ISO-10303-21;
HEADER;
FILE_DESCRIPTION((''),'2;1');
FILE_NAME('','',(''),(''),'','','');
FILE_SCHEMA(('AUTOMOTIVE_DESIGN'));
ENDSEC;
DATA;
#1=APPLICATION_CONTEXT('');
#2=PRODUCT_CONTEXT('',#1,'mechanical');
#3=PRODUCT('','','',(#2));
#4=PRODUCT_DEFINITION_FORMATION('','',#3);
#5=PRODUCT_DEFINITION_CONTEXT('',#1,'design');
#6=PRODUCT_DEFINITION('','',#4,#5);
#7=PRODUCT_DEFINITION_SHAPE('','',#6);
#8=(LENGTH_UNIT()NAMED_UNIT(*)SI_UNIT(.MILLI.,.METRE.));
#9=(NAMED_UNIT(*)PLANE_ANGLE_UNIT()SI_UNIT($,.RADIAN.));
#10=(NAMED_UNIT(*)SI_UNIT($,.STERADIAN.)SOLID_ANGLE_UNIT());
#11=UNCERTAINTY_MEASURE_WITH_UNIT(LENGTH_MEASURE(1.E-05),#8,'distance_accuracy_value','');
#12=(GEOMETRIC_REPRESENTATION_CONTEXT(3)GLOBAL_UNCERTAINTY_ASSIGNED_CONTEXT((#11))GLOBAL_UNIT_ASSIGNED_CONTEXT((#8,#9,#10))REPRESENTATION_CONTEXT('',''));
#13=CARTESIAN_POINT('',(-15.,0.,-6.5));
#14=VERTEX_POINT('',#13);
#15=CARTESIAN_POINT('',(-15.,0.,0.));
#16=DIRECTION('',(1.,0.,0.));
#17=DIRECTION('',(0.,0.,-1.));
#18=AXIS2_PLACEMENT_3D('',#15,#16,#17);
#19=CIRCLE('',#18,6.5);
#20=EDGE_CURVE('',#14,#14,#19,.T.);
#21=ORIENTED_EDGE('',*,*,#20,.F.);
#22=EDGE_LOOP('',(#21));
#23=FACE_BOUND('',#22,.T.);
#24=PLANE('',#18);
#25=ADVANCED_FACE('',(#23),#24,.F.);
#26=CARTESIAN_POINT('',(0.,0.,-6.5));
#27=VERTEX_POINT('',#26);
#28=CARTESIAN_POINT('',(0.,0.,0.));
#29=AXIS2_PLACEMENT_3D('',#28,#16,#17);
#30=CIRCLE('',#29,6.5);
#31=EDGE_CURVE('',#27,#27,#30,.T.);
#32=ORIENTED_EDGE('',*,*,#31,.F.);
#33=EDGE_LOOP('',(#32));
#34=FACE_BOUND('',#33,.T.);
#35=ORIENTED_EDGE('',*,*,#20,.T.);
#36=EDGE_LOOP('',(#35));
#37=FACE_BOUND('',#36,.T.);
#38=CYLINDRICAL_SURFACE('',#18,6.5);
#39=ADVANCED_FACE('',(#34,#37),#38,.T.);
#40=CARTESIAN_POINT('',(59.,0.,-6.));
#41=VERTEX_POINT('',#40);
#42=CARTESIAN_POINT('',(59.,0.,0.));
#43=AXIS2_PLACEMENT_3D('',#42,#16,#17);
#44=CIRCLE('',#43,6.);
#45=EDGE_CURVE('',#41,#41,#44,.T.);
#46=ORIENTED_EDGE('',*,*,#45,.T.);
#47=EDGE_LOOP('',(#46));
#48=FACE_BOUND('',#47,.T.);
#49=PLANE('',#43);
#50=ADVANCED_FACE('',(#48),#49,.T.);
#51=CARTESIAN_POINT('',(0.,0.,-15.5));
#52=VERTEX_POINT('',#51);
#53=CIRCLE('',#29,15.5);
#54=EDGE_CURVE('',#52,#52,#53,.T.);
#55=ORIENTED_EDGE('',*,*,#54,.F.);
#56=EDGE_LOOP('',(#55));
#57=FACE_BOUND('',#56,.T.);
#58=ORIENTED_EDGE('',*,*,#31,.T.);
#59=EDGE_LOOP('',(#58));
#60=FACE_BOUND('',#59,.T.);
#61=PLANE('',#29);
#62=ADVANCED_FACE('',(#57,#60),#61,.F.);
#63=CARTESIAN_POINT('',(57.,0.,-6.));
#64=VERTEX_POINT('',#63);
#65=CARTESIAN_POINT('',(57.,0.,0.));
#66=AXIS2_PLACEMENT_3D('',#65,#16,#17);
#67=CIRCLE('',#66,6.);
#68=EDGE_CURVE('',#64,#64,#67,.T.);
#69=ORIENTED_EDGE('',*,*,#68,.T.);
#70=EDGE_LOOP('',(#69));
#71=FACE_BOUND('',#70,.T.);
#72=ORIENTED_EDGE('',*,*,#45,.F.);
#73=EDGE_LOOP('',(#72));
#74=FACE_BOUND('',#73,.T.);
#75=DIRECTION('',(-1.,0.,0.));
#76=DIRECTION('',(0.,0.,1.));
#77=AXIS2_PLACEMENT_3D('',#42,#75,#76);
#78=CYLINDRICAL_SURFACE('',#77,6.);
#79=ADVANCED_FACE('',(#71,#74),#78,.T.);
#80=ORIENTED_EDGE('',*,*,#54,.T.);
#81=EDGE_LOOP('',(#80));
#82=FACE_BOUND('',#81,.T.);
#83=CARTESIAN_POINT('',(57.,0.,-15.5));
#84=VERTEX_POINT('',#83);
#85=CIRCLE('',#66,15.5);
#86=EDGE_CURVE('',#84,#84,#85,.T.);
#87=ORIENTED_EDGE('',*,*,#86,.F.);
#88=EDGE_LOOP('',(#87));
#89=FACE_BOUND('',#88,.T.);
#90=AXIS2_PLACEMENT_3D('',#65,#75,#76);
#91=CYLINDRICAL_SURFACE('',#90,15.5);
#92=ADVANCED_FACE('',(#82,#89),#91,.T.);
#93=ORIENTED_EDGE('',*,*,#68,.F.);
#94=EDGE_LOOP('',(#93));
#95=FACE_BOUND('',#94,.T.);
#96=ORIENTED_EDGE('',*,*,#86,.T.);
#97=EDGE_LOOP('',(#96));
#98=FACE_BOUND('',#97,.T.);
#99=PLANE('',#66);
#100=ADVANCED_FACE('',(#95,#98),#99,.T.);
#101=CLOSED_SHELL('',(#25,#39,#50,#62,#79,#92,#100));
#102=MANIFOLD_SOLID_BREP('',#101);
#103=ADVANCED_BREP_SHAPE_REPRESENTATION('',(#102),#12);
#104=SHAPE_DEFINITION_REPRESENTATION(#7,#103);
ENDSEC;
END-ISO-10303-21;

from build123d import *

# Parameters (mm, degrees)
SKETCH_1_R      = 15.5
EXTRUDE_1_DEPTH = 57
SKETCH_2_R      = 6.5
EXTRUDE_2_DEPTH = 15
SKETCH_3_R      = 6
EXTRUDE_3_DEPTH = 2


with BuildPart() as part:
    # 草图1 → 凸台-拉伸1 (new body)
    with BuildSketch(Plane(origin=(0, 0, 0), x_dir=(0, 0, -1), z_dir=(1, 0, 0))):
        Circle(SKETCH_1_R)
    extrude(amount=EXTRUDE_1_DEPTH)

    # 草图2 → 凸台-拉伸2 (add)
    with BuildSketch(Plane(origin=(0, 0, 0), x_dir=(0, 0, -1), z_dir=(1, 0, 0))):
        Circle(SKETCH_2_R)
    extrude(amount=-EXTRUDE_2_DEPTH)

    # 草图3 → 凸台-拉伸3 (add)
    with BuildSketch(Plane(origin=(57, 0, 0), x_dir=(0, 0, -1), z_dir=(1, 0, 0))):
        Circle(SKETCH_3_R)
    extrude(amount=EXTRUDE_3_DEPTH)


solid = part.part
